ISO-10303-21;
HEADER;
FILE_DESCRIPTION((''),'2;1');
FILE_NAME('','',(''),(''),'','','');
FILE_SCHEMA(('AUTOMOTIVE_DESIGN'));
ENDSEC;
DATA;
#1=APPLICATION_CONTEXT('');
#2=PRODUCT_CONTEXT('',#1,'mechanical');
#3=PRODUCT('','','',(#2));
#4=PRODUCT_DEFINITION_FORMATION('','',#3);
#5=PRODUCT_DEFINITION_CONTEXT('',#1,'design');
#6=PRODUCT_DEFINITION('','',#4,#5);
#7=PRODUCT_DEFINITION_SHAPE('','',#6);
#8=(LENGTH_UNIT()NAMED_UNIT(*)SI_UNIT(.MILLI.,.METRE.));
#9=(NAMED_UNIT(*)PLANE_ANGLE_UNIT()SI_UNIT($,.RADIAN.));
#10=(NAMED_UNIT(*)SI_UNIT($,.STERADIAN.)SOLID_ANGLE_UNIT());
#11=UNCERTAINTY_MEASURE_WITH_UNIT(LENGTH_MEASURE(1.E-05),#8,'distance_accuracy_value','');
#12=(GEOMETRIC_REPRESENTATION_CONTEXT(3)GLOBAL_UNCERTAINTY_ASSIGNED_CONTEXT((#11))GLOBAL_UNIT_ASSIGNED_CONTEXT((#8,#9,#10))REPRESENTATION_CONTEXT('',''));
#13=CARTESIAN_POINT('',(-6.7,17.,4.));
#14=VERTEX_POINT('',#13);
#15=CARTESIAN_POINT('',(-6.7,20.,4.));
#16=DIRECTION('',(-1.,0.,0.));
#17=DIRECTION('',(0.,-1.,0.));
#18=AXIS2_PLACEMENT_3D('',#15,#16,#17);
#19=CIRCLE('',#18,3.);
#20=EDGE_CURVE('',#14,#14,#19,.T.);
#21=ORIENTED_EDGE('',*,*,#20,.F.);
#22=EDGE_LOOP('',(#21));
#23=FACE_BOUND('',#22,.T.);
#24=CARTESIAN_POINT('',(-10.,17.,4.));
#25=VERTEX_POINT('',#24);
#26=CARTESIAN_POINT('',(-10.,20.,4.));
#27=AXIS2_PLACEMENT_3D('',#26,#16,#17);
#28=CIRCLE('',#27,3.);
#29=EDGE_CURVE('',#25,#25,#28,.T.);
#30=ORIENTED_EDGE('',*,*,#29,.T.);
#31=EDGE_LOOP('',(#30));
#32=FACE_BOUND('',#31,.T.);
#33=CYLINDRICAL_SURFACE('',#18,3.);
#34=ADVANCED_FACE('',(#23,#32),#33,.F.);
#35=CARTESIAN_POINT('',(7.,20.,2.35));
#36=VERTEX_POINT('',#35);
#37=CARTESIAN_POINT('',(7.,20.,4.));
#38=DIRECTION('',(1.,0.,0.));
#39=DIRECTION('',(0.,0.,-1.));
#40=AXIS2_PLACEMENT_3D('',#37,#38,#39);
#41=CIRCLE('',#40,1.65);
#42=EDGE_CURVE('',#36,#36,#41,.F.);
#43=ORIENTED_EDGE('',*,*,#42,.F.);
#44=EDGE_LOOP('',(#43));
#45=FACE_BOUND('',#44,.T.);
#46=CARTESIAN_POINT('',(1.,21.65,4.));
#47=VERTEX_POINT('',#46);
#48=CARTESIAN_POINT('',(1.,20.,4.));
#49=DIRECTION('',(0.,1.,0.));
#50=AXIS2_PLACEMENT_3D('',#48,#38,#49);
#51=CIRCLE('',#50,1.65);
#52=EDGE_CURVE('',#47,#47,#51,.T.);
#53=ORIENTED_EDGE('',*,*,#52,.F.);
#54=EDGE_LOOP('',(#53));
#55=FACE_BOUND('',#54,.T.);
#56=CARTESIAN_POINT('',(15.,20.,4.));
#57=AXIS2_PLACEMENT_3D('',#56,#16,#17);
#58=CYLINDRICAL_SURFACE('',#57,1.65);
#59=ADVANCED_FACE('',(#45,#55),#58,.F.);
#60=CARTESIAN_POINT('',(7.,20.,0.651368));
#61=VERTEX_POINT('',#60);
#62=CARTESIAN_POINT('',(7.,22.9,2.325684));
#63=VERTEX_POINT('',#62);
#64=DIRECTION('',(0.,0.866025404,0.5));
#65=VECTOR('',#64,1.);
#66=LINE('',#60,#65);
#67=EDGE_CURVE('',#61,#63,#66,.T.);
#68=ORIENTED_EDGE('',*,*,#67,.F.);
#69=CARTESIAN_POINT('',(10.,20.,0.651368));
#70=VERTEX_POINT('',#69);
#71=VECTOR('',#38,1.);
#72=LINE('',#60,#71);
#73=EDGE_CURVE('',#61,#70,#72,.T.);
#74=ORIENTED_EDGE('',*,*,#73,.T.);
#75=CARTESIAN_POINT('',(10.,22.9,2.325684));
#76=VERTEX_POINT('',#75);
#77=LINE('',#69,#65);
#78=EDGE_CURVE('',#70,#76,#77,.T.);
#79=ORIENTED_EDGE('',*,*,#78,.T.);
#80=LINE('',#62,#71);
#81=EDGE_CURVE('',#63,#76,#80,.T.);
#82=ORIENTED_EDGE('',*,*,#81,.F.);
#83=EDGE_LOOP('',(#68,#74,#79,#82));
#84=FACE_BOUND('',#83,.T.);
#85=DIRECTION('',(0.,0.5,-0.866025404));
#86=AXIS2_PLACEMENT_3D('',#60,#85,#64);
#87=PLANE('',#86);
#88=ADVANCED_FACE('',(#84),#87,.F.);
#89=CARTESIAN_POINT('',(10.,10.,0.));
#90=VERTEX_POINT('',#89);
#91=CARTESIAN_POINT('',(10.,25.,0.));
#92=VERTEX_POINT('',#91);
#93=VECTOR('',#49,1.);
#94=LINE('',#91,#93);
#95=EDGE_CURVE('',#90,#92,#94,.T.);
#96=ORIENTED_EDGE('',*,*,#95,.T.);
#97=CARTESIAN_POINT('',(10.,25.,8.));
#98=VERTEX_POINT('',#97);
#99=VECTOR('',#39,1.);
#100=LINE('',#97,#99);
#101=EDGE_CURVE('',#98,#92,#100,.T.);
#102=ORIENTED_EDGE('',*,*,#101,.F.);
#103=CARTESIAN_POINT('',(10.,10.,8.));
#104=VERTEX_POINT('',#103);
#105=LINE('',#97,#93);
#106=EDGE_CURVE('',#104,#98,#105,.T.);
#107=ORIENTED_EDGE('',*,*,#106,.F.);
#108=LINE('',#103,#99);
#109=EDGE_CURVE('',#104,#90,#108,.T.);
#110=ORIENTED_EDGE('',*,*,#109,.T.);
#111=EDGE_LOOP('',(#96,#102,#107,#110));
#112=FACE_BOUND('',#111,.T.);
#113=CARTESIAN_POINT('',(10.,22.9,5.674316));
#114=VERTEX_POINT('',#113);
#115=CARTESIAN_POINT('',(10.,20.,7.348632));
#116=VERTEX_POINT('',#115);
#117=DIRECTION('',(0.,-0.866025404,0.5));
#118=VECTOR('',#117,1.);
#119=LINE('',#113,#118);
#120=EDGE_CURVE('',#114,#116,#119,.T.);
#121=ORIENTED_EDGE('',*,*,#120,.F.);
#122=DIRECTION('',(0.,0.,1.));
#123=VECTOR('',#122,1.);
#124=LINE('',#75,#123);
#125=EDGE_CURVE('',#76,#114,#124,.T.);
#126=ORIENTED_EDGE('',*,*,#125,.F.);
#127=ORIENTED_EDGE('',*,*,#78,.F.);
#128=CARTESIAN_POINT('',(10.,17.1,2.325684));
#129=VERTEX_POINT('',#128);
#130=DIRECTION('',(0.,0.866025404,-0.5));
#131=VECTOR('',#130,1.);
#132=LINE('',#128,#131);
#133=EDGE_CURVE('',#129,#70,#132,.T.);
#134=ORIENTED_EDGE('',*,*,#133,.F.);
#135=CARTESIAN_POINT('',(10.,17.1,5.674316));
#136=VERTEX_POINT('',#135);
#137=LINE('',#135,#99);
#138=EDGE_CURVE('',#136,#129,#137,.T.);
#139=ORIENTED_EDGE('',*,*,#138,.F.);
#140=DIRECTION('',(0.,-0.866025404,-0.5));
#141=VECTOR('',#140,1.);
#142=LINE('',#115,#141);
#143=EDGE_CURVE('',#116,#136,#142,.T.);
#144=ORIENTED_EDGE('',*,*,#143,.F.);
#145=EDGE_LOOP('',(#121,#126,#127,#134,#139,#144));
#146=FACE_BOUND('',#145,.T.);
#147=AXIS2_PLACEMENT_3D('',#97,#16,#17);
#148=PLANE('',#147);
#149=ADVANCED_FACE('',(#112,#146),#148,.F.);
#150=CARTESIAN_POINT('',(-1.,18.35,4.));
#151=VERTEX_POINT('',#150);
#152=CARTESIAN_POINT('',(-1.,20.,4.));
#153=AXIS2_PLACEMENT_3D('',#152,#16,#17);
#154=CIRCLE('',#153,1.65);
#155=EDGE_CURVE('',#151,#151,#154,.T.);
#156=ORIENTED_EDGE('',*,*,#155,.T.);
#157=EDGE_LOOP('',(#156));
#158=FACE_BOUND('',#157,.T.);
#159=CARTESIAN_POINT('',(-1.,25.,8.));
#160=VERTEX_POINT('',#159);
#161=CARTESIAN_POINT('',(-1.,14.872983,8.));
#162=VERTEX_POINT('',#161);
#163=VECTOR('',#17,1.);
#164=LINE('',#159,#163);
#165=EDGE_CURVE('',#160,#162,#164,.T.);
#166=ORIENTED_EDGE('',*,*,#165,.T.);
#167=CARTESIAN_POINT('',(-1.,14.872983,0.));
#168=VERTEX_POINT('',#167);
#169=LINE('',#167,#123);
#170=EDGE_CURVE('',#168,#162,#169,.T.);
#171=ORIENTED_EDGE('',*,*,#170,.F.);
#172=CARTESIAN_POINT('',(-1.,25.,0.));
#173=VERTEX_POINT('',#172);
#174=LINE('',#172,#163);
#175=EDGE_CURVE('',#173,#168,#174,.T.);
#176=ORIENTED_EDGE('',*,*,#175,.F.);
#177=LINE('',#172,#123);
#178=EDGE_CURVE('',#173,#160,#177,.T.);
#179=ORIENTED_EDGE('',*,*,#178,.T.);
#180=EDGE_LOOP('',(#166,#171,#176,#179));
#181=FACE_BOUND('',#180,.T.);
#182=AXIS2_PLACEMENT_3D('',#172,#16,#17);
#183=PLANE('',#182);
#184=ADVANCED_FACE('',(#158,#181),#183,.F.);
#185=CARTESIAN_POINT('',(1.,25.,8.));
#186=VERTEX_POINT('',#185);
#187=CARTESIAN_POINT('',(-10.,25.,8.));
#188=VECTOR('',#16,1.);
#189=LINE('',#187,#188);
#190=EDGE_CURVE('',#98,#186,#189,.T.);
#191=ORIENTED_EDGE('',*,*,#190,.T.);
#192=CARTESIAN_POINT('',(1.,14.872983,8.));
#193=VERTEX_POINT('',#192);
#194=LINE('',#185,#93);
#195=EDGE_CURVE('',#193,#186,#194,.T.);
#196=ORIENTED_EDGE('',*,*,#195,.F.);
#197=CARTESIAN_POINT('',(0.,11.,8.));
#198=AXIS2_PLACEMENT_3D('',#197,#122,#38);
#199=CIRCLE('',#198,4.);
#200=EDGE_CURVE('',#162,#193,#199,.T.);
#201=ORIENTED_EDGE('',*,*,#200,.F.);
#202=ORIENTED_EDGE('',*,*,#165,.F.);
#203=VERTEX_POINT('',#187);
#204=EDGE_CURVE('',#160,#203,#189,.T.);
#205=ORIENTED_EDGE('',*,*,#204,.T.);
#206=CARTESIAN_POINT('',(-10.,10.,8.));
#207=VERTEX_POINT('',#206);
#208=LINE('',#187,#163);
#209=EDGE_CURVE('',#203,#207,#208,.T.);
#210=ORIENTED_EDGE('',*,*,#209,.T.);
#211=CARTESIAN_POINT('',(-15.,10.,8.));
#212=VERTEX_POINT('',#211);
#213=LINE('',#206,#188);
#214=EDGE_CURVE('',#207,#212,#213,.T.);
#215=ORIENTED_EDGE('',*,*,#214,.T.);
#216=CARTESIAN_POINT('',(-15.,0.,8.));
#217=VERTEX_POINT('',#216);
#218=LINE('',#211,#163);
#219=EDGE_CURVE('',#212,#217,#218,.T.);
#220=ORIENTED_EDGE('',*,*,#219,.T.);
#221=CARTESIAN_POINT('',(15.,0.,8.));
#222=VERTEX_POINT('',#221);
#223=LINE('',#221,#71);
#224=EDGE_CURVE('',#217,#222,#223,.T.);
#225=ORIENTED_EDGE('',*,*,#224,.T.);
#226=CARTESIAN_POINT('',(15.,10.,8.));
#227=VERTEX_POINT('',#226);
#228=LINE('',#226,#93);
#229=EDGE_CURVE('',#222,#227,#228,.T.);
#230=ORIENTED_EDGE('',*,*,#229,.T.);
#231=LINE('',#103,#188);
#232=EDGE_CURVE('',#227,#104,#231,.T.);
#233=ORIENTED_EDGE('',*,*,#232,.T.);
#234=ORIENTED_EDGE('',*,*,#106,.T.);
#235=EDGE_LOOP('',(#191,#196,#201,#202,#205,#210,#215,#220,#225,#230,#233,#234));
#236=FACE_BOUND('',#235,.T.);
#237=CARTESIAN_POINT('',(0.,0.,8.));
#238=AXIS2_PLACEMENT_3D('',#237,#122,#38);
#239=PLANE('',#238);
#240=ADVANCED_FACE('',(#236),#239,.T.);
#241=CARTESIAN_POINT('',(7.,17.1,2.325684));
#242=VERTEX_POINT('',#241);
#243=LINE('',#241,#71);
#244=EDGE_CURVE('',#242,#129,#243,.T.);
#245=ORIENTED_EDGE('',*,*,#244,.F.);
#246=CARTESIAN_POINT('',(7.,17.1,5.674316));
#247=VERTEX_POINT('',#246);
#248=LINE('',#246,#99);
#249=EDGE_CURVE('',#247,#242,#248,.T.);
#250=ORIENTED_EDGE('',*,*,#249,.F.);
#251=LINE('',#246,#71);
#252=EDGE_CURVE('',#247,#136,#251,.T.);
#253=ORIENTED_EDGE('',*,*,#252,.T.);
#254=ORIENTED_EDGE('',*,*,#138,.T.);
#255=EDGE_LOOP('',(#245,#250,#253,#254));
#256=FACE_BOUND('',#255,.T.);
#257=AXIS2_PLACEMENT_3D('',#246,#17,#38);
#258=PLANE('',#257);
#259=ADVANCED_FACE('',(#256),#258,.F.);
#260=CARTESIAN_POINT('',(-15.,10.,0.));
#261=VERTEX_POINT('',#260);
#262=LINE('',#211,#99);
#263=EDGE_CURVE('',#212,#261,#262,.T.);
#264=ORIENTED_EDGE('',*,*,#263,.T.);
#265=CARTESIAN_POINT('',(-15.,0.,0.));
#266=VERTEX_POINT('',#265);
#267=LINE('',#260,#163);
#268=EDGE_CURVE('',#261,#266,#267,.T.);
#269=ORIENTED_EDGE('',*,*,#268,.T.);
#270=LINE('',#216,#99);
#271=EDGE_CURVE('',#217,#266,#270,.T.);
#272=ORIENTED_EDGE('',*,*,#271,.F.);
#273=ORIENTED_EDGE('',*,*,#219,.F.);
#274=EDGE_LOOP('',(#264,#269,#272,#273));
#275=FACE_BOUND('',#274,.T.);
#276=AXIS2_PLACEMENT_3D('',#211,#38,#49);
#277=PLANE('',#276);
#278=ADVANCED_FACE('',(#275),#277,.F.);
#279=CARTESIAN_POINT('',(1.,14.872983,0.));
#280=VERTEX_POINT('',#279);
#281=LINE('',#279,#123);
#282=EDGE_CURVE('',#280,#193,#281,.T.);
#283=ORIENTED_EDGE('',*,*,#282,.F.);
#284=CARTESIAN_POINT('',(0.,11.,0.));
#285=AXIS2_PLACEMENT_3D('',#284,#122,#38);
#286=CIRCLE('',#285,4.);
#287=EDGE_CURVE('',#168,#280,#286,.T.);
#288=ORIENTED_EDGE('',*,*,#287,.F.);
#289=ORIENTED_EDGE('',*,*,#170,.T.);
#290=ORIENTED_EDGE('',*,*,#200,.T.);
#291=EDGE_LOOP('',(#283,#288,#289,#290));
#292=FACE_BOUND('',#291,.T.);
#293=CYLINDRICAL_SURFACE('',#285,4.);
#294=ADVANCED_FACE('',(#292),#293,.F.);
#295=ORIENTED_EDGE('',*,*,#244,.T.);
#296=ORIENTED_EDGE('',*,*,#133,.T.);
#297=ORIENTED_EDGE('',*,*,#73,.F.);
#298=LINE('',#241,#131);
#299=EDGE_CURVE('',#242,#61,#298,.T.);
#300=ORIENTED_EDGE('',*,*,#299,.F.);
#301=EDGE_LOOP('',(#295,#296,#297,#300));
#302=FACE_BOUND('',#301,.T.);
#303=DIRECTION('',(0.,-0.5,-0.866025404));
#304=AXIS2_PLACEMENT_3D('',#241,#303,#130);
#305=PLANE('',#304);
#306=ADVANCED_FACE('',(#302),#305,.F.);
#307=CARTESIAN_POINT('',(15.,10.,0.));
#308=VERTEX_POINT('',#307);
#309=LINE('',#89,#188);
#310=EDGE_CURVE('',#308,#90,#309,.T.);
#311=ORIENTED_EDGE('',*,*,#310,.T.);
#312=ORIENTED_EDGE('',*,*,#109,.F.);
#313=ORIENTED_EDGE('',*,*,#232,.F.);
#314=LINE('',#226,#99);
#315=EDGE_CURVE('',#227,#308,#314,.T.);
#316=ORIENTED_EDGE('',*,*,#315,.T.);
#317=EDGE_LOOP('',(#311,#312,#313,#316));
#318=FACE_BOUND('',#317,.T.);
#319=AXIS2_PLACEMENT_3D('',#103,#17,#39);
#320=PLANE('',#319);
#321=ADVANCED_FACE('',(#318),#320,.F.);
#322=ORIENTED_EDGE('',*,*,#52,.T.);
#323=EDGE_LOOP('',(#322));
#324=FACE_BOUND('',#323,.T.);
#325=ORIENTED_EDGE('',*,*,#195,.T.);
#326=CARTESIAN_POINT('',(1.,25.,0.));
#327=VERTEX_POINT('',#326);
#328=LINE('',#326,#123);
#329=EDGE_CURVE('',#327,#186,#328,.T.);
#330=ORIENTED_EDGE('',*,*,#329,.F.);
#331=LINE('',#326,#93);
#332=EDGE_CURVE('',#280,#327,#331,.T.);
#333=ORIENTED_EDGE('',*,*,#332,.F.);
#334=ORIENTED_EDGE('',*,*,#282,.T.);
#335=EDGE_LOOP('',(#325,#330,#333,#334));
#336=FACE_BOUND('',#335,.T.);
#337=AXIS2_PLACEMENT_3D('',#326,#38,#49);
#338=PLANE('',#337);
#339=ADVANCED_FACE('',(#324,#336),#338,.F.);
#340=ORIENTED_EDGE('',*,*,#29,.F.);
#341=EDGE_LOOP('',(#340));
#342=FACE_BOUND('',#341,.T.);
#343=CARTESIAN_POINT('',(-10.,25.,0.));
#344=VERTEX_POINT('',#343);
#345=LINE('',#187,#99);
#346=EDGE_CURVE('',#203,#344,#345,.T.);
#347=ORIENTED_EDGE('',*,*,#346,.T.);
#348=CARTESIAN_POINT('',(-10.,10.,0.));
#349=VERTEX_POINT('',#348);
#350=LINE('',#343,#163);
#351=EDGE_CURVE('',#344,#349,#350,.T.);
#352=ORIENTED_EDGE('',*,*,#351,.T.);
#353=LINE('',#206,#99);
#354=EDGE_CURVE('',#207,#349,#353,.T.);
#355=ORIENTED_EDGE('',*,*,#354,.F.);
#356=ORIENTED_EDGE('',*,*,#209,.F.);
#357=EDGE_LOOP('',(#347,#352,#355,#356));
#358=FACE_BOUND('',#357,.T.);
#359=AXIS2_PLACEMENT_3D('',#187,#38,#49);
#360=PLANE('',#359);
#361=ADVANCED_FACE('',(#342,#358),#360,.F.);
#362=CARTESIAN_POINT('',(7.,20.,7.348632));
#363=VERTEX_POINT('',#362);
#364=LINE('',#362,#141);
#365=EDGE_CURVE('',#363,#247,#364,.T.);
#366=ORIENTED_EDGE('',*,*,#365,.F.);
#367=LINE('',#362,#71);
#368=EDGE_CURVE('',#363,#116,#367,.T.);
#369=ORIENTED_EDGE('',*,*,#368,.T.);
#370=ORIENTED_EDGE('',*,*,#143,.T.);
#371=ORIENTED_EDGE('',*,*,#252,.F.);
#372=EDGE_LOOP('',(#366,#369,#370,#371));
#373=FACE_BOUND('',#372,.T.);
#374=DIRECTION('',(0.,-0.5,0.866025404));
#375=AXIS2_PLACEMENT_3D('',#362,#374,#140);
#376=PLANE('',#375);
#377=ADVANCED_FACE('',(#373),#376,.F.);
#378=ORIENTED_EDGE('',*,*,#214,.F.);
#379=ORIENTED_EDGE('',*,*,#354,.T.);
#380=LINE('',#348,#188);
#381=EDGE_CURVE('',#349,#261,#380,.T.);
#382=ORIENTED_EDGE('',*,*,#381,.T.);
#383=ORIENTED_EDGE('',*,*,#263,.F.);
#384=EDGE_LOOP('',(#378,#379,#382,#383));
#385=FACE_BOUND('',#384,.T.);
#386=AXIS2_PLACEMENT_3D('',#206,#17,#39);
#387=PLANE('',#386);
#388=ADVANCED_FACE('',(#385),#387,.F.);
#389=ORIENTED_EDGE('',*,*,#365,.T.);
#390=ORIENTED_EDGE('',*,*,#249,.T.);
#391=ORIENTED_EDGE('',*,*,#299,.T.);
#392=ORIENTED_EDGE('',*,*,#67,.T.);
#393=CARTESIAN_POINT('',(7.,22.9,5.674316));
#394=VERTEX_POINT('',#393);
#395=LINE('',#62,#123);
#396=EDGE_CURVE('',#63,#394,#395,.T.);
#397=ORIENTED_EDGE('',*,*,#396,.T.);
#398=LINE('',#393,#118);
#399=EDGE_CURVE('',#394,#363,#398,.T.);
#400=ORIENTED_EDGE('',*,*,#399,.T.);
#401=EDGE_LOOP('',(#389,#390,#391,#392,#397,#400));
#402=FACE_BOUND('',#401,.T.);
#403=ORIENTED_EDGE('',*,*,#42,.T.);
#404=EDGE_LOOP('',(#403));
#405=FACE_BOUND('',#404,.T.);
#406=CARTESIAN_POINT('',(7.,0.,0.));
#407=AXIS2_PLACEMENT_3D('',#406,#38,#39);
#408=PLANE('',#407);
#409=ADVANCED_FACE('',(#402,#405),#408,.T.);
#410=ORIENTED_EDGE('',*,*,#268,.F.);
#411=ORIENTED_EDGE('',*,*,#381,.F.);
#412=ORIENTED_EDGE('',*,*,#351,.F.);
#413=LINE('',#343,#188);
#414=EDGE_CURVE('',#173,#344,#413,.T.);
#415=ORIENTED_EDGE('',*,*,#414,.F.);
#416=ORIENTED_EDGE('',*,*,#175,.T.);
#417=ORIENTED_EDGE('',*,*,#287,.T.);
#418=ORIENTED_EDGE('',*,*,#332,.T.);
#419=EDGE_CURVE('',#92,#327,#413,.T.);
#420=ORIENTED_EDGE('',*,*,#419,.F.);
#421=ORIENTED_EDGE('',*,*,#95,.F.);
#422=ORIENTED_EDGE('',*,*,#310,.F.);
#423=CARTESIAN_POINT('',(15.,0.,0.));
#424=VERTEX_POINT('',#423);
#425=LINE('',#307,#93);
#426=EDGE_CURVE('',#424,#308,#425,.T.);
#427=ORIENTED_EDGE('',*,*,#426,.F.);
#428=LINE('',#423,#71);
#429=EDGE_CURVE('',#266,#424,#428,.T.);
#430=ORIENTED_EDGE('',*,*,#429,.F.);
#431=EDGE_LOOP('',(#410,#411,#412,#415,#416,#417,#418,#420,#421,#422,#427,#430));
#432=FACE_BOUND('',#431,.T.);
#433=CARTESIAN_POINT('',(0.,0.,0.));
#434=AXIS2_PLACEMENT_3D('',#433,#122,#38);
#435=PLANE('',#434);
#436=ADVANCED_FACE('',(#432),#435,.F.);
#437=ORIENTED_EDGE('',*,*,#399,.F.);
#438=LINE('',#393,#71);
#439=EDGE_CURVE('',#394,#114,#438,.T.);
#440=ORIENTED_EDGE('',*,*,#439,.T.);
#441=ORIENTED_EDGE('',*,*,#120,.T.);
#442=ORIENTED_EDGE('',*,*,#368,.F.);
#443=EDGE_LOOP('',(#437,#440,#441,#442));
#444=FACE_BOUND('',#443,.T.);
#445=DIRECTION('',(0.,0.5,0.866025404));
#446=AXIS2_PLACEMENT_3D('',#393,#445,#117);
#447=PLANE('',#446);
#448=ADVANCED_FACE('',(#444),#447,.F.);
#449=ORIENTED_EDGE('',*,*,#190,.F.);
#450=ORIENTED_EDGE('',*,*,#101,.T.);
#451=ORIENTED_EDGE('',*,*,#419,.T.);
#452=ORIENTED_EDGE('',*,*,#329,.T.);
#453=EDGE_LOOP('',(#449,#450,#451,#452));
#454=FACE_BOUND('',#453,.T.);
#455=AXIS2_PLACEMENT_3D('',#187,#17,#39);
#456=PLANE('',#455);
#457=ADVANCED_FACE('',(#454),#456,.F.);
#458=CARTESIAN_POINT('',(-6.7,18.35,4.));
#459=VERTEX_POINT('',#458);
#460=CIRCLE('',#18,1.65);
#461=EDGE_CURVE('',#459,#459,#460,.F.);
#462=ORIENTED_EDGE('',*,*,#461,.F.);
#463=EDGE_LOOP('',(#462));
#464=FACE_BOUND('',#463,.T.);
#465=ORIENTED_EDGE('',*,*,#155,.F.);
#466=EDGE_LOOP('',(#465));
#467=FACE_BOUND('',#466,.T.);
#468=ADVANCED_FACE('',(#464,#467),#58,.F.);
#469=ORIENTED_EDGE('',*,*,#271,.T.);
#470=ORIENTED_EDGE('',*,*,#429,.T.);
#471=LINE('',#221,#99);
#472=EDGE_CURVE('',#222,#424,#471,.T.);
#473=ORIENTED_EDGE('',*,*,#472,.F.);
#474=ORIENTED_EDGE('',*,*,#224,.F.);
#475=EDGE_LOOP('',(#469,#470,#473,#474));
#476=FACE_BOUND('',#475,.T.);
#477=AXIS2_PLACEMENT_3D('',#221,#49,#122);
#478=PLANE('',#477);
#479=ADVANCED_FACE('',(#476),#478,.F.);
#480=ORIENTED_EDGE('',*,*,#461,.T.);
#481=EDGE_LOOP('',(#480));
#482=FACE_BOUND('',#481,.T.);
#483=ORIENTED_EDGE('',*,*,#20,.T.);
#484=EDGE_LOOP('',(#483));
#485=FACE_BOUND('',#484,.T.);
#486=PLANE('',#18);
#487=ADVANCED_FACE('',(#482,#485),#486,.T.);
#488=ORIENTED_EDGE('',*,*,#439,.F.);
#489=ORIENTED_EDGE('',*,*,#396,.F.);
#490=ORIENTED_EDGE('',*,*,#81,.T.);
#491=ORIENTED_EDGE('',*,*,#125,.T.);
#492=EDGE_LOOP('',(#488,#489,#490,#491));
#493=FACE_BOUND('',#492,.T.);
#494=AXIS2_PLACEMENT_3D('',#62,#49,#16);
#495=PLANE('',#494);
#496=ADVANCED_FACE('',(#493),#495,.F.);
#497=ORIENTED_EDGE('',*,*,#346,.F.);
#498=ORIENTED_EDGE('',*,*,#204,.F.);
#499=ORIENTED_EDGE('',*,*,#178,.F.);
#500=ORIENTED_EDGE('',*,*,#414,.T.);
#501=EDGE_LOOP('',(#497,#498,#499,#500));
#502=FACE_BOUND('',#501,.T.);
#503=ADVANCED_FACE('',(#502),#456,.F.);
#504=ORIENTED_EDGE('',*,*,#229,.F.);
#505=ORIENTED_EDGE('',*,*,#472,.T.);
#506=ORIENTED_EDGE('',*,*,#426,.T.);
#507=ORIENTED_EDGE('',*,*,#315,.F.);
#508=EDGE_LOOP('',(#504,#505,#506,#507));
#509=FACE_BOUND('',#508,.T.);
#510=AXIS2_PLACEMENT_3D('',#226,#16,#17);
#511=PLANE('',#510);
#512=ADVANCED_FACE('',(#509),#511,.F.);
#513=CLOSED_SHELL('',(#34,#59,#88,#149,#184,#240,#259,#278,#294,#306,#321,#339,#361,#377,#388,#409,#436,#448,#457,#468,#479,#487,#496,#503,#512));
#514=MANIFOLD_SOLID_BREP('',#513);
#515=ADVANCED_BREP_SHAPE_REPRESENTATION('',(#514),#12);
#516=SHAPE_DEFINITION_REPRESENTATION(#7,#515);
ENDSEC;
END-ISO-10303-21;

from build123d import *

# Parameters (mm, degrees)
EXTRUDE_1_DEPTH     = 8
CUT_EXTRUDE_1_DEPTH = 9
SKETCH_3_R          = 1.65
CUT_EXTRUDE_2_DEPTH = 26
SKETCH_4_R          = 3
CUT_EXTRUDE_3_DEPTH = 3.3
CUT_EXTRUDE_4_DEPTH = 3


with BuildPart() as part:
    # 草图1 → 凸台-拉伸1 (new body)
    with BuildSketch(Plane.XY):
        Polygon((-10, 25), (10, 25), (10, 10), (15, 10), (15, 0), (-15, 0), (-15, 10), (-10, 10), align=None)
    extrude(amount=EXTRUDE_1_DEPTH)

    # 草图2 → 切除-拉伸1 (cut, through all)
    with BuildSketch(Plane.XY.offset(8)):
        with BuildLine():
            Line((-1, 25), (1, 25))
            Line((1, 25), (1, 14.872983346))
            ThreePointArc((1, 14.872983346), (0, 7), (-1, 14.872983346))
            Line((-1, 14.872983346), (-1, 25))
        make_face()
    extrude(amount=-CUT_EXTRUDE_1_DEPTH, mode=Mode.SUBTRACT)

    # 草图3 → 切除-拉伸2 (cut, through all)
    with BuildSketch(Plane.ZY.offset(10)):
        with Locations((4, 20)):
            Circle(SKETCH_3_R)
    extrude(amount=-CUT_EXTRUDE_2_DEPTH, mode=Mode.SUBTRACT)

    # 草图4 → 切除-拉伸3 (cut)
    with BuildSketch(Plane.ZY.offset(10)):
        with Locations((4, 20)):
            Circle(SKETCH_4_R)
    extrude(amount=-CUT_EXTRUDE_3_DEPTH, mode=Mode.SUBTRACT)

    # 草图5 → 切除-拉伸4 (cut)
    with BuildSketch(Plane(origin=(10, 0, 0), x_dir=(0, 0, -1), z_dir=(1, 0, 0))):
        Polygon((-7.348631561, 20), (-5.674315781, 17.1), (-2.325684219, 17.1), (-0.651368439, 20), (-2.325684219, 22.9), (-5.674315781, 22.9), align=None)
    extrude(amount=-CUT_EXTRUDE_4_DEPTH, mode=Mode.SUBTRACT)


solid = part.part
